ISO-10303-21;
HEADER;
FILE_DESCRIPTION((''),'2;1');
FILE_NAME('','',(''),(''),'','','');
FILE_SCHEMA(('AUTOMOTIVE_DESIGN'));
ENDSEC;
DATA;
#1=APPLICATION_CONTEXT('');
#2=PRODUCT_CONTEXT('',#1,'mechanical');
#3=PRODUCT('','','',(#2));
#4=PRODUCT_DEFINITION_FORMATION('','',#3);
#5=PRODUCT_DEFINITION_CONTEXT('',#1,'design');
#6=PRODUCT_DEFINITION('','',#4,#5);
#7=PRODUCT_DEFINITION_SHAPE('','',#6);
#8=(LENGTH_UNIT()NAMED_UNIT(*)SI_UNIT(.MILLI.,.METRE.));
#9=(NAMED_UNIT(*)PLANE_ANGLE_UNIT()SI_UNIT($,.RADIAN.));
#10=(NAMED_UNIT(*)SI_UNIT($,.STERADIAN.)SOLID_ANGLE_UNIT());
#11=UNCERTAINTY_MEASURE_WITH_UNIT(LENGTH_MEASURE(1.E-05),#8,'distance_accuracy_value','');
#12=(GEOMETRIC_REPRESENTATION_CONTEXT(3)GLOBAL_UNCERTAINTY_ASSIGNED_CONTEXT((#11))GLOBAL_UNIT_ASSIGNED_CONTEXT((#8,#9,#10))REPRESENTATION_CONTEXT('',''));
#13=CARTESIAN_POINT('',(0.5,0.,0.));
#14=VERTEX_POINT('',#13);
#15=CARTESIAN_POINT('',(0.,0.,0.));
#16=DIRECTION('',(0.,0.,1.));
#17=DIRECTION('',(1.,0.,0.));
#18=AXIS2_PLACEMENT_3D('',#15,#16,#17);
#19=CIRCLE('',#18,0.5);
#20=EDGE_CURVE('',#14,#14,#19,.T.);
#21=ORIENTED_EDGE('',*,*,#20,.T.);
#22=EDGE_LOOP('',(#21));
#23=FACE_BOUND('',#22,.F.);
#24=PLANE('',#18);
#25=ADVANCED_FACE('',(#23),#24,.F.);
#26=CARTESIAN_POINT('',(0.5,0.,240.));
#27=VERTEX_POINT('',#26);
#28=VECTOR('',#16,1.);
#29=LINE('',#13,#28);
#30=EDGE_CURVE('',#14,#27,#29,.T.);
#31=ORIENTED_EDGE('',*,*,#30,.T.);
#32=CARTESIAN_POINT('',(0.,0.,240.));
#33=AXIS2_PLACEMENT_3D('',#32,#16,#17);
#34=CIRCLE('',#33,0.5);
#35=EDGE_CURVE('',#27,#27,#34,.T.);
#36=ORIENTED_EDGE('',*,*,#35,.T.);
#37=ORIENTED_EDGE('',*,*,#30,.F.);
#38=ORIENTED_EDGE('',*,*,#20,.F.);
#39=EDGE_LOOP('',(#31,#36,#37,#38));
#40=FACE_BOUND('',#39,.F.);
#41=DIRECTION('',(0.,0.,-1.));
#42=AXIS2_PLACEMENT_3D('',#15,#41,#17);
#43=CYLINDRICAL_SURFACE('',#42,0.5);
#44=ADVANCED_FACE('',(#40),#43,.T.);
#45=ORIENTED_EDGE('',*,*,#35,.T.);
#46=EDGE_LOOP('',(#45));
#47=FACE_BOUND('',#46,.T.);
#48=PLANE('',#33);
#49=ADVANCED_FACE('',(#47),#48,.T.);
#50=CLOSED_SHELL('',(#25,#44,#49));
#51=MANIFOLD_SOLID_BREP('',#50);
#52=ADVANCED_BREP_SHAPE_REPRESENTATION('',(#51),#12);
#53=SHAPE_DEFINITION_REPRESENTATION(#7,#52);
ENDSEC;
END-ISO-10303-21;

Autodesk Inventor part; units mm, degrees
ref_plane "YZ Plane" through (0, 0, 0) normal (1, 0, 0) x (0, 1, 0)
ref_plane "XZ Plane" through (0, 0, 0) normal (0, 1, 0) x (-1, 0, 0)
ref_plane "XY Plane" through (0, 0, 0) normal (0, 0, 1) x (1, 0, 0)
sketch "스케치1" plane through (0, 0, 0) normal (0, 0, 1) x (1, 0, 0)
  circle A0 centre (0, 0) radius 0.5
  dimension "d0" = 1
extrude "돌출1" add sketch "스케치1" along normal blind 240
properties part number "IRLight"
